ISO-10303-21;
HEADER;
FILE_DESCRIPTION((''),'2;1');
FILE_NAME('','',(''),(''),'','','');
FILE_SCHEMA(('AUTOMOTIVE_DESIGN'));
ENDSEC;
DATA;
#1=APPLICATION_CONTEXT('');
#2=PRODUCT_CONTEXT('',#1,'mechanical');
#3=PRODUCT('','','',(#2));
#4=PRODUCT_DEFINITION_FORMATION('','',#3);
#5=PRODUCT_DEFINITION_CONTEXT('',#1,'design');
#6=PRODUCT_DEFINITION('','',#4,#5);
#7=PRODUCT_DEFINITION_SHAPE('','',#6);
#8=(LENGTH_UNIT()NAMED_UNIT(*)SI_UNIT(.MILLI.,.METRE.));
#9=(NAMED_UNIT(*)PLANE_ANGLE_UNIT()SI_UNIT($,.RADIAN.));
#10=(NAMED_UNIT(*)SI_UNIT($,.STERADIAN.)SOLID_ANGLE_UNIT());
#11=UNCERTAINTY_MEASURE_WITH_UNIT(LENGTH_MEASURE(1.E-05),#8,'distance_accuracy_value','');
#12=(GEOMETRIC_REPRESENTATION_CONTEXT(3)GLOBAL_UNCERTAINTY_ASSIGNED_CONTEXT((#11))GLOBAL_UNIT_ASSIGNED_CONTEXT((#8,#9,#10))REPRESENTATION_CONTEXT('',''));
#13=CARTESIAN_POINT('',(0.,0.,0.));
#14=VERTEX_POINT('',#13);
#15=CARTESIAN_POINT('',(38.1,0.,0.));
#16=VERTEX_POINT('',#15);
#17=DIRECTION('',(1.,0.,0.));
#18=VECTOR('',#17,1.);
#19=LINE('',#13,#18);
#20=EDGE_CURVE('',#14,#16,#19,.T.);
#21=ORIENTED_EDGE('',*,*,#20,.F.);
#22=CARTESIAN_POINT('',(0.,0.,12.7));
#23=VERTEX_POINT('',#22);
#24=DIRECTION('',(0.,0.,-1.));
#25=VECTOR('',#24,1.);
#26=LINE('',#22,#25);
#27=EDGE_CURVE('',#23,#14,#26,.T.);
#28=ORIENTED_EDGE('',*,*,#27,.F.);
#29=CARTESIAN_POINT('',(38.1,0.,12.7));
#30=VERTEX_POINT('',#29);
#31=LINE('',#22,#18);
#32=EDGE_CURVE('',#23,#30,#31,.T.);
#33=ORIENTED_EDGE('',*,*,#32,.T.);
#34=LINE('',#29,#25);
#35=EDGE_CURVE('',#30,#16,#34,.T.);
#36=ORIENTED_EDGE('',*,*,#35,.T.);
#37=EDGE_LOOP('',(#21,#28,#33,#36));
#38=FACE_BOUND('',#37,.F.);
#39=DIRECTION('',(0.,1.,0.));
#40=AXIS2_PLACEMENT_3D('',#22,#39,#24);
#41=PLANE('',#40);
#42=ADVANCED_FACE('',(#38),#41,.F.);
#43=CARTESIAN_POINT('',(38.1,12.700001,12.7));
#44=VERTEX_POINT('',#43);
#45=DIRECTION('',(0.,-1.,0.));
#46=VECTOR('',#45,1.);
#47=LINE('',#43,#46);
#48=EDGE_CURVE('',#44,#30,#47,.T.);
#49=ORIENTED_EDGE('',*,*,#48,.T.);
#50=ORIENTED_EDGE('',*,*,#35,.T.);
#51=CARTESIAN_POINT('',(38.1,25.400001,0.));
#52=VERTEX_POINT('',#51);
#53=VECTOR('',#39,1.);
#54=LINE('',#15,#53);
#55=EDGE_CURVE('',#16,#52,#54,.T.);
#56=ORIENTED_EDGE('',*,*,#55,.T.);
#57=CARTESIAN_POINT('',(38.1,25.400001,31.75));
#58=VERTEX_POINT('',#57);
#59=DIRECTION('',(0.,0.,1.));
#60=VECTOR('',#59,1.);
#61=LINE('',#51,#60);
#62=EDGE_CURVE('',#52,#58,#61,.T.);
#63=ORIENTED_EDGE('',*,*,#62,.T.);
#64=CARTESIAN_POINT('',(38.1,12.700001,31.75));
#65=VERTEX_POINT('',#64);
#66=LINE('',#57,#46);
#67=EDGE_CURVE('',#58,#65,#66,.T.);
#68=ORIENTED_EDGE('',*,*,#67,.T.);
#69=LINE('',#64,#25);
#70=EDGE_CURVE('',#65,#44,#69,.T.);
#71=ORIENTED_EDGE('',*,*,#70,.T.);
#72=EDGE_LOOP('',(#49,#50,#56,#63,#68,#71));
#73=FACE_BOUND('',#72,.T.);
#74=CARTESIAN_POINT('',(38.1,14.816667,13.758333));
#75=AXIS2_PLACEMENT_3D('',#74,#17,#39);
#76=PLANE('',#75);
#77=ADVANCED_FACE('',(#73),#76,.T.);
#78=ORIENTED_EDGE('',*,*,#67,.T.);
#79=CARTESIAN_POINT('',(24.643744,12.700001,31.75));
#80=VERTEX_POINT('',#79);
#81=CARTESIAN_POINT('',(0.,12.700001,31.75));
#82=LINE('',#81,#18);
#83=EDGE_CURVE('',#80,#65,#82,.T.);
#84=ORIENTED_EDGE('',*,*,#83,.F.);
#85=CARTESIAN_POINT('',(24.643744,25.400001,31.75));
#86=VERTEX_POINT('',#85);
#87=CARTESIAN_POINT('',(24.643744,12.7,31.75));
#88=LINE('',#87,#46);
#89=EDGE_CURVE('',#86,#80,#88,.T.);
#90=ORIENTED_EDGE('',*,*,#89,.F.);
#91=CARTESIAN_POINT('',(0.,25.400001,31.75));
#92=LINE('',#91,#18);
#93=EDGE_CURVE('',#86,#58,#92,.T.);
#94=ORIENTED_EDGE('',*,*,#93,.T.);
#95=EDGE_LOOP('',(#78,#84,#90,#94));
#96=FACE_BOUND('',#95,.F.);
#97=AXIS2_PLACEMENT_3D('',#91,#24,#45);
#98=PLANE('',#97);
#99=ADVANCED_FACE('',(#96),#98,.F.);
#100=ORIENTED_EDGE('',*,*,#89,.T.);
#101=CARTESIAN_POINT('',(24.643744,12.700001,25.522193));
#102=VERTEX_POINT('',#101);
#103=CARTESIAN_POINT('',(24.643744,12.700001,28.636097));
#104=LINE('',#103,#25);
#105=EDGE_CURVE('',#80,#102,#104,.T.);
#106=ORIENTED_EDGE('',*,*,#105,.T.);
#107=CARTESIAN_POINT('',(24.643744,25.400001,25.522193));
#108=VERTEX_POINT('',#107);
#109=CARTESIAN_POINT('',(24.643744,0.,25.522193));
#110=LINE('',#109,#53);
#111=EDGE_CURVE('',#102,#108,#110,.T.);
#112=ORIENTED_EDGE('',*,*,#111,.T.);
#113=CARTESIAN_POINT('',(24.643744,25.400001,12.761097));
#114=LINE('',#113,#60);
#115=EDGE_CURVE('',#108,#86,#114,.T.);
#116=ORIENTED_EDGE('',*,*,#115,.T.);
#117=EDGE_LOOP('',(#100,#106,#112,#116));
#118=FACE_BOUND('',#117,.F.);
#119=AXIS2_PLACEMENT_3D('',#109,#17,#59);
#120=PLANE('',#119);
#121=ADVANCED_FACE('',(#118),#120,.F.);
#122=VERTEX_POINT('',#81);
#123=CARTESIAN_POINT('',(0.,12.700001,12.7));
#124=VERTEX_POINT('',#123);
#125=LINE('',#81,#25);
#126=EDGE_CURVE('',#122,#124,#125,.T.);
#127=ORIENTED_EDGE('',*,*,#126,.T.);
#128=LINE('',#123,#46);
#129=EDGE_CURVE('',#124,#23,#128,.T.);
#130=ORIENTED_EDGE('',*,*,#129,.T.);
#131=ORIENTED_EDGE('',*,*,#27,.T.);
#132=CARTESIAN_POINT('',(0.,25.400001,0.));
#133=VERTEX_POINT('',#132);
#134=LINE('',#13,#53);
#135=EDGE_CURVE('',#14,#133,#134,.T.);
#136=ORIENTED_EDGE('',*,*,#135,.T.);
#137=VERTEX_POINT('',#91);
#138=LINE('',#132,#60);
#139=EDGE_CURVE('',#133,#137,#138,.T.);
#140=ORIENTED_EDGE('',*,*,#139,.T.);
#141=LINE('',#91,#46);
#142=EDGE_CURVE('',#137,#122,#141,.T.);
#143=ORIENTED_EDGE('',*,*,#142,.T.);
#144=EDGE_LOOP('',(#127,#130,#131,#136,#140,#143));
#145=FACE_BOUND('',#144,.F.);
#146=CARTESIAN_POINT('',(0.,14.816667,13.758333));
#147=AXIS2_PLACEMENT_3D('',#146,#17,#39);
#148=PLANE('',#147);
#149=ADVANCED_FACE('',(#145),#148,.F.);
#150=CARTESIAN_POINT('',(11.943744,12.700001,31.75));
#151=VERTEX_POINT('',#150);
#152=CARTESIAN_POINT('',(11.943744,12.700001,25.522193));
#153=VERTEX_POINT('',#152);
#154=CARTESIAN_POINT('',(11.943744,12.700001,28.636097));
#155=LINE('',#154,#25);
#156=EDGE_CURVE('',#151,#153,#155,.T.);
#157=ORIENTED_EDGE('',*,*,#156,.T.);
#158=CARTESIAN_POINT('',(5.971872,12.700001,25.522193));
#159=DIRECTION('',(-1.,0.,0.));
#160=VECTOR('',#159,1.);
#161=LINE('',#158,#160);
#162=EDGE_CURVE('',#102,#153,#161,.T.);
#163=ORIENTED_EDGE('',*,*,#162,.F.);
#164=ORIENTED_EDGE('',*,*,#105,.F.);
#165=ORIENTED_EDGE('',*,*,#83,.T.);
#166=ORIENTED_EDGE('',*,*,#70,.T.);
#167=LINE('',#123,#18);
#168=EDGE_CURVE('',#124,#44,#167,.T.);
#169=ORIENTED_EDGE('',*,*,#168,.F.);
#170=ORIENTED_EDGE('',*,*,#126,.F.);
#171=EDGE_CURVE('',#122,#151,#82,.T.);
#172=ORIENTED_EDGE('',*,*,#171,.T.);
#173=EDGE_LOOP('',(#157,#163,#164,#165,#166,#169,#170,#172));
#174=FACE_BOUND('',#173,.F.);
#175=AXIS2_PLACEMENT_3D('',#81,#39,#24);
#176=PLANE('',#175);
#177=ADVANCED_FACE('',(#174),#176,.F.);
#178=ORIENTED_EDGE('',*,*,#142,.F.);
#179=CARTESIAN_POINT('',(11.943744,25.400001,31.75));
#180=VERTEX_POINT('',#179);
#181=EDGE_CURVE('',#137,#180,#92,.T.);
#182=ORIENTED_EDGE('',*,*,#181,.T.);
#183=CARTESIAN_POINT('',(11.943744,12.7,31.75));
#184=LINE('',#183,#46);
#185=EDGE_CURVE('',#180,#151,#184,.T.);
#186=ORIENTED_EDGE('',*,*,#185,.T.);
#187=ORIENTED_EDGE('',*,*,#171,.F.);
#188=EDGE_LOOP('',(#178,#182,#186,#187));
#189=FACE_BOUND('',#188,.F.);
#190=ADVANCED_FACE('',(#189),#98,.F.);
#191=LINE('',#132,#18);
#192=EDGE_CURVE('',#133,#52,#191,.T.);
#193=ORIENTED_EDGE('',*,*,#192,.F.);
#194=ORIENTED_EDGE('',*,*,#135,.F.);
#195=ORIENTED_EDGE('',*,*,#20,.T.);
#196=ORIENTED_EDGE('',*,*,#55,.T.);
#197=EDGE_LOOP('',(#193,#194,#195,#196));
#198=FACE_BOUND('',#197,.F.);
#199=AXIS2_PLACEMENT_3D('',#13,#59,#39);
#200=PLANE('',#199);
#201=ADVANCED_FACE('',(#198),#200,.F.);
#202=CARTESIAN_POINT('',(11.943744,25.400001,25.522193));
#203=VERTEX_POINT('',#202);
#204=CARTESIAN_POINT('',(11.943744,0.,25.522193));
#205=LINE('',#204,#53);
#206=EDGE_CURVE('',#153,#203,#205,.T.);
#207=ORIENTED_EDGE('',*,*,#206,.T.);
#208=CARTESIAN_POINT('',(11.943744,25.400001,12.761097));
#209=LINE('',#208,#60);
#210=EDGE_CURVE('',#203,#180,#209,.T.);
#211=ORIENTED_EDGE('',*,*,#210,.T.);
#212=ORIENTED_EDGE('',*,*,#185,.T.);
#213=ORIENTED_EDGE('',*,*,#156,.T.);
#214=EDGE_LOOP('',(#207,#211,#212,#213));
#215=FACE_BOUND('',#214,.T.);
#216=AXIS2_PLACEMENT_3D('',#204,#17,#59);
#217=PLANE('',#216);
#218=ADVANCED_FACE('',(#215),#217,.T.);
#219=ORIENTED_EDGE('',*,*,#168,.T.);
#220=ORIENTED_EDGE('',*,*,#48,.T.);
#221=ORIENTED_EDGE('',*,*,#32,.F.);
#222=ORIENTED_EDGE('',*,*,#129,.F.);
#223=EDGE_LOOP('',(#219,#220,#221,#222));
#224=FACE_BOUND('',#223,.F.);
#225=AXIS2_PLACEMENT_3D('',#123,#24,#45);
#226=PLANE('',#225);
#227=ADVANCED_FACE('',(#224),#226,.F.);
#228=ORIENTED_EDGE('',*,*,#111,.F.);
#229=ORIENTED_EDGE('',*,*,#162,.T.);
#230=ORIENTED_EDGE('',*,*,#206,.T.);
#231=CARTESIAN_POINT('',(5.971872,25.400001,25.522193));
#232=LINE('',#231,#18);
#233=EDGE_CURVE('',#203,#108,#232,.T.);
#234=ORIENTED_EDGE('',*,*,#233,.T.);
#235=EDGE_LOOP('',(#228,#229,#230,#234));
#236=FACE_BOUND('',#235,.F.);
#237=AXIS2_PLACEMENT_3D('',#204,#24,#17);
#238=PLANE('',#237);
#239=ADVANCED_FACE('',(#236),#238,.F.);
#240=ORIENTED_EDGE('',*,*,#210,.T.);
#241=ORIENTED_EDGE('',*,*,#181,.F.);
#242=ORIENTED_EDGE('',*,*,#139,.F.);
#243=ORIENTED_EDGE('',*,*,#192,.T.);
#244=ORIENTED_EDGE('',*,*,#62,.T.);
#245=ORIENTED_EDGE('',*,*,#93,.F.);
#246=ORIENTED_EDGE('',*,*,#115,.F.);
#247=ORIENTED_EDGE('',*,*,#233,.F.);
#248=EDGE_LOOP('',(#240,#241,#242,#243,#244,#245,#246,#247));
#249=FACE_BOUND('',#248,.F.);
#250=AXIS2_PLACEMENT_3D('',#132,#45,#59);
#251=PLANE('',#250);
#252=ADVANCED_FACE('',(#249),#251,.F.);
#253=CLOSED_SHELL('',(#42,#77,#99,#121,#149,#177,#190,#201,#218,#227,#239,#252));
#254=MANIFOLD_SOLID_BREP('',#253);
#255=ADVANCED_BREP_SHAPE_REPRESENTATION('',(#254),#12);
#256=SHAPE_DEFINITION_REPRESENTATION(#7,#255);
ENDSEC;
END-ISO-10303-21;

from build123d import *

# Parameters (mm, degrees)
F1_DEPTH = 38.1
F2_W     = 12.7
F2_H     = 6.35
F3_DEPTH = 25.401001


with BuildPart() as f1:
    # F0 (on Right) → F1 (new body)
    with BuildSketch(Plane.YZ):
        Polygon((0, 12.7), (0, 0), (25.400001, 0), (25.400001, 31.75), (12.700001, 31.75), (12.700001, 12.7), align=None)
    extrude(amount=F1_DEPTH)

    # F2 (on Front) → F3 (cut, through all)
    with BuildSketch(Plane.XZ):
        with Locations((18.293744, 28.697193)):
            Rectangle(F2_W, F2_H)
    extrude(amount=-F3_DEPTH, mode=Mode.SUBTRACT)


solid = f1.part
